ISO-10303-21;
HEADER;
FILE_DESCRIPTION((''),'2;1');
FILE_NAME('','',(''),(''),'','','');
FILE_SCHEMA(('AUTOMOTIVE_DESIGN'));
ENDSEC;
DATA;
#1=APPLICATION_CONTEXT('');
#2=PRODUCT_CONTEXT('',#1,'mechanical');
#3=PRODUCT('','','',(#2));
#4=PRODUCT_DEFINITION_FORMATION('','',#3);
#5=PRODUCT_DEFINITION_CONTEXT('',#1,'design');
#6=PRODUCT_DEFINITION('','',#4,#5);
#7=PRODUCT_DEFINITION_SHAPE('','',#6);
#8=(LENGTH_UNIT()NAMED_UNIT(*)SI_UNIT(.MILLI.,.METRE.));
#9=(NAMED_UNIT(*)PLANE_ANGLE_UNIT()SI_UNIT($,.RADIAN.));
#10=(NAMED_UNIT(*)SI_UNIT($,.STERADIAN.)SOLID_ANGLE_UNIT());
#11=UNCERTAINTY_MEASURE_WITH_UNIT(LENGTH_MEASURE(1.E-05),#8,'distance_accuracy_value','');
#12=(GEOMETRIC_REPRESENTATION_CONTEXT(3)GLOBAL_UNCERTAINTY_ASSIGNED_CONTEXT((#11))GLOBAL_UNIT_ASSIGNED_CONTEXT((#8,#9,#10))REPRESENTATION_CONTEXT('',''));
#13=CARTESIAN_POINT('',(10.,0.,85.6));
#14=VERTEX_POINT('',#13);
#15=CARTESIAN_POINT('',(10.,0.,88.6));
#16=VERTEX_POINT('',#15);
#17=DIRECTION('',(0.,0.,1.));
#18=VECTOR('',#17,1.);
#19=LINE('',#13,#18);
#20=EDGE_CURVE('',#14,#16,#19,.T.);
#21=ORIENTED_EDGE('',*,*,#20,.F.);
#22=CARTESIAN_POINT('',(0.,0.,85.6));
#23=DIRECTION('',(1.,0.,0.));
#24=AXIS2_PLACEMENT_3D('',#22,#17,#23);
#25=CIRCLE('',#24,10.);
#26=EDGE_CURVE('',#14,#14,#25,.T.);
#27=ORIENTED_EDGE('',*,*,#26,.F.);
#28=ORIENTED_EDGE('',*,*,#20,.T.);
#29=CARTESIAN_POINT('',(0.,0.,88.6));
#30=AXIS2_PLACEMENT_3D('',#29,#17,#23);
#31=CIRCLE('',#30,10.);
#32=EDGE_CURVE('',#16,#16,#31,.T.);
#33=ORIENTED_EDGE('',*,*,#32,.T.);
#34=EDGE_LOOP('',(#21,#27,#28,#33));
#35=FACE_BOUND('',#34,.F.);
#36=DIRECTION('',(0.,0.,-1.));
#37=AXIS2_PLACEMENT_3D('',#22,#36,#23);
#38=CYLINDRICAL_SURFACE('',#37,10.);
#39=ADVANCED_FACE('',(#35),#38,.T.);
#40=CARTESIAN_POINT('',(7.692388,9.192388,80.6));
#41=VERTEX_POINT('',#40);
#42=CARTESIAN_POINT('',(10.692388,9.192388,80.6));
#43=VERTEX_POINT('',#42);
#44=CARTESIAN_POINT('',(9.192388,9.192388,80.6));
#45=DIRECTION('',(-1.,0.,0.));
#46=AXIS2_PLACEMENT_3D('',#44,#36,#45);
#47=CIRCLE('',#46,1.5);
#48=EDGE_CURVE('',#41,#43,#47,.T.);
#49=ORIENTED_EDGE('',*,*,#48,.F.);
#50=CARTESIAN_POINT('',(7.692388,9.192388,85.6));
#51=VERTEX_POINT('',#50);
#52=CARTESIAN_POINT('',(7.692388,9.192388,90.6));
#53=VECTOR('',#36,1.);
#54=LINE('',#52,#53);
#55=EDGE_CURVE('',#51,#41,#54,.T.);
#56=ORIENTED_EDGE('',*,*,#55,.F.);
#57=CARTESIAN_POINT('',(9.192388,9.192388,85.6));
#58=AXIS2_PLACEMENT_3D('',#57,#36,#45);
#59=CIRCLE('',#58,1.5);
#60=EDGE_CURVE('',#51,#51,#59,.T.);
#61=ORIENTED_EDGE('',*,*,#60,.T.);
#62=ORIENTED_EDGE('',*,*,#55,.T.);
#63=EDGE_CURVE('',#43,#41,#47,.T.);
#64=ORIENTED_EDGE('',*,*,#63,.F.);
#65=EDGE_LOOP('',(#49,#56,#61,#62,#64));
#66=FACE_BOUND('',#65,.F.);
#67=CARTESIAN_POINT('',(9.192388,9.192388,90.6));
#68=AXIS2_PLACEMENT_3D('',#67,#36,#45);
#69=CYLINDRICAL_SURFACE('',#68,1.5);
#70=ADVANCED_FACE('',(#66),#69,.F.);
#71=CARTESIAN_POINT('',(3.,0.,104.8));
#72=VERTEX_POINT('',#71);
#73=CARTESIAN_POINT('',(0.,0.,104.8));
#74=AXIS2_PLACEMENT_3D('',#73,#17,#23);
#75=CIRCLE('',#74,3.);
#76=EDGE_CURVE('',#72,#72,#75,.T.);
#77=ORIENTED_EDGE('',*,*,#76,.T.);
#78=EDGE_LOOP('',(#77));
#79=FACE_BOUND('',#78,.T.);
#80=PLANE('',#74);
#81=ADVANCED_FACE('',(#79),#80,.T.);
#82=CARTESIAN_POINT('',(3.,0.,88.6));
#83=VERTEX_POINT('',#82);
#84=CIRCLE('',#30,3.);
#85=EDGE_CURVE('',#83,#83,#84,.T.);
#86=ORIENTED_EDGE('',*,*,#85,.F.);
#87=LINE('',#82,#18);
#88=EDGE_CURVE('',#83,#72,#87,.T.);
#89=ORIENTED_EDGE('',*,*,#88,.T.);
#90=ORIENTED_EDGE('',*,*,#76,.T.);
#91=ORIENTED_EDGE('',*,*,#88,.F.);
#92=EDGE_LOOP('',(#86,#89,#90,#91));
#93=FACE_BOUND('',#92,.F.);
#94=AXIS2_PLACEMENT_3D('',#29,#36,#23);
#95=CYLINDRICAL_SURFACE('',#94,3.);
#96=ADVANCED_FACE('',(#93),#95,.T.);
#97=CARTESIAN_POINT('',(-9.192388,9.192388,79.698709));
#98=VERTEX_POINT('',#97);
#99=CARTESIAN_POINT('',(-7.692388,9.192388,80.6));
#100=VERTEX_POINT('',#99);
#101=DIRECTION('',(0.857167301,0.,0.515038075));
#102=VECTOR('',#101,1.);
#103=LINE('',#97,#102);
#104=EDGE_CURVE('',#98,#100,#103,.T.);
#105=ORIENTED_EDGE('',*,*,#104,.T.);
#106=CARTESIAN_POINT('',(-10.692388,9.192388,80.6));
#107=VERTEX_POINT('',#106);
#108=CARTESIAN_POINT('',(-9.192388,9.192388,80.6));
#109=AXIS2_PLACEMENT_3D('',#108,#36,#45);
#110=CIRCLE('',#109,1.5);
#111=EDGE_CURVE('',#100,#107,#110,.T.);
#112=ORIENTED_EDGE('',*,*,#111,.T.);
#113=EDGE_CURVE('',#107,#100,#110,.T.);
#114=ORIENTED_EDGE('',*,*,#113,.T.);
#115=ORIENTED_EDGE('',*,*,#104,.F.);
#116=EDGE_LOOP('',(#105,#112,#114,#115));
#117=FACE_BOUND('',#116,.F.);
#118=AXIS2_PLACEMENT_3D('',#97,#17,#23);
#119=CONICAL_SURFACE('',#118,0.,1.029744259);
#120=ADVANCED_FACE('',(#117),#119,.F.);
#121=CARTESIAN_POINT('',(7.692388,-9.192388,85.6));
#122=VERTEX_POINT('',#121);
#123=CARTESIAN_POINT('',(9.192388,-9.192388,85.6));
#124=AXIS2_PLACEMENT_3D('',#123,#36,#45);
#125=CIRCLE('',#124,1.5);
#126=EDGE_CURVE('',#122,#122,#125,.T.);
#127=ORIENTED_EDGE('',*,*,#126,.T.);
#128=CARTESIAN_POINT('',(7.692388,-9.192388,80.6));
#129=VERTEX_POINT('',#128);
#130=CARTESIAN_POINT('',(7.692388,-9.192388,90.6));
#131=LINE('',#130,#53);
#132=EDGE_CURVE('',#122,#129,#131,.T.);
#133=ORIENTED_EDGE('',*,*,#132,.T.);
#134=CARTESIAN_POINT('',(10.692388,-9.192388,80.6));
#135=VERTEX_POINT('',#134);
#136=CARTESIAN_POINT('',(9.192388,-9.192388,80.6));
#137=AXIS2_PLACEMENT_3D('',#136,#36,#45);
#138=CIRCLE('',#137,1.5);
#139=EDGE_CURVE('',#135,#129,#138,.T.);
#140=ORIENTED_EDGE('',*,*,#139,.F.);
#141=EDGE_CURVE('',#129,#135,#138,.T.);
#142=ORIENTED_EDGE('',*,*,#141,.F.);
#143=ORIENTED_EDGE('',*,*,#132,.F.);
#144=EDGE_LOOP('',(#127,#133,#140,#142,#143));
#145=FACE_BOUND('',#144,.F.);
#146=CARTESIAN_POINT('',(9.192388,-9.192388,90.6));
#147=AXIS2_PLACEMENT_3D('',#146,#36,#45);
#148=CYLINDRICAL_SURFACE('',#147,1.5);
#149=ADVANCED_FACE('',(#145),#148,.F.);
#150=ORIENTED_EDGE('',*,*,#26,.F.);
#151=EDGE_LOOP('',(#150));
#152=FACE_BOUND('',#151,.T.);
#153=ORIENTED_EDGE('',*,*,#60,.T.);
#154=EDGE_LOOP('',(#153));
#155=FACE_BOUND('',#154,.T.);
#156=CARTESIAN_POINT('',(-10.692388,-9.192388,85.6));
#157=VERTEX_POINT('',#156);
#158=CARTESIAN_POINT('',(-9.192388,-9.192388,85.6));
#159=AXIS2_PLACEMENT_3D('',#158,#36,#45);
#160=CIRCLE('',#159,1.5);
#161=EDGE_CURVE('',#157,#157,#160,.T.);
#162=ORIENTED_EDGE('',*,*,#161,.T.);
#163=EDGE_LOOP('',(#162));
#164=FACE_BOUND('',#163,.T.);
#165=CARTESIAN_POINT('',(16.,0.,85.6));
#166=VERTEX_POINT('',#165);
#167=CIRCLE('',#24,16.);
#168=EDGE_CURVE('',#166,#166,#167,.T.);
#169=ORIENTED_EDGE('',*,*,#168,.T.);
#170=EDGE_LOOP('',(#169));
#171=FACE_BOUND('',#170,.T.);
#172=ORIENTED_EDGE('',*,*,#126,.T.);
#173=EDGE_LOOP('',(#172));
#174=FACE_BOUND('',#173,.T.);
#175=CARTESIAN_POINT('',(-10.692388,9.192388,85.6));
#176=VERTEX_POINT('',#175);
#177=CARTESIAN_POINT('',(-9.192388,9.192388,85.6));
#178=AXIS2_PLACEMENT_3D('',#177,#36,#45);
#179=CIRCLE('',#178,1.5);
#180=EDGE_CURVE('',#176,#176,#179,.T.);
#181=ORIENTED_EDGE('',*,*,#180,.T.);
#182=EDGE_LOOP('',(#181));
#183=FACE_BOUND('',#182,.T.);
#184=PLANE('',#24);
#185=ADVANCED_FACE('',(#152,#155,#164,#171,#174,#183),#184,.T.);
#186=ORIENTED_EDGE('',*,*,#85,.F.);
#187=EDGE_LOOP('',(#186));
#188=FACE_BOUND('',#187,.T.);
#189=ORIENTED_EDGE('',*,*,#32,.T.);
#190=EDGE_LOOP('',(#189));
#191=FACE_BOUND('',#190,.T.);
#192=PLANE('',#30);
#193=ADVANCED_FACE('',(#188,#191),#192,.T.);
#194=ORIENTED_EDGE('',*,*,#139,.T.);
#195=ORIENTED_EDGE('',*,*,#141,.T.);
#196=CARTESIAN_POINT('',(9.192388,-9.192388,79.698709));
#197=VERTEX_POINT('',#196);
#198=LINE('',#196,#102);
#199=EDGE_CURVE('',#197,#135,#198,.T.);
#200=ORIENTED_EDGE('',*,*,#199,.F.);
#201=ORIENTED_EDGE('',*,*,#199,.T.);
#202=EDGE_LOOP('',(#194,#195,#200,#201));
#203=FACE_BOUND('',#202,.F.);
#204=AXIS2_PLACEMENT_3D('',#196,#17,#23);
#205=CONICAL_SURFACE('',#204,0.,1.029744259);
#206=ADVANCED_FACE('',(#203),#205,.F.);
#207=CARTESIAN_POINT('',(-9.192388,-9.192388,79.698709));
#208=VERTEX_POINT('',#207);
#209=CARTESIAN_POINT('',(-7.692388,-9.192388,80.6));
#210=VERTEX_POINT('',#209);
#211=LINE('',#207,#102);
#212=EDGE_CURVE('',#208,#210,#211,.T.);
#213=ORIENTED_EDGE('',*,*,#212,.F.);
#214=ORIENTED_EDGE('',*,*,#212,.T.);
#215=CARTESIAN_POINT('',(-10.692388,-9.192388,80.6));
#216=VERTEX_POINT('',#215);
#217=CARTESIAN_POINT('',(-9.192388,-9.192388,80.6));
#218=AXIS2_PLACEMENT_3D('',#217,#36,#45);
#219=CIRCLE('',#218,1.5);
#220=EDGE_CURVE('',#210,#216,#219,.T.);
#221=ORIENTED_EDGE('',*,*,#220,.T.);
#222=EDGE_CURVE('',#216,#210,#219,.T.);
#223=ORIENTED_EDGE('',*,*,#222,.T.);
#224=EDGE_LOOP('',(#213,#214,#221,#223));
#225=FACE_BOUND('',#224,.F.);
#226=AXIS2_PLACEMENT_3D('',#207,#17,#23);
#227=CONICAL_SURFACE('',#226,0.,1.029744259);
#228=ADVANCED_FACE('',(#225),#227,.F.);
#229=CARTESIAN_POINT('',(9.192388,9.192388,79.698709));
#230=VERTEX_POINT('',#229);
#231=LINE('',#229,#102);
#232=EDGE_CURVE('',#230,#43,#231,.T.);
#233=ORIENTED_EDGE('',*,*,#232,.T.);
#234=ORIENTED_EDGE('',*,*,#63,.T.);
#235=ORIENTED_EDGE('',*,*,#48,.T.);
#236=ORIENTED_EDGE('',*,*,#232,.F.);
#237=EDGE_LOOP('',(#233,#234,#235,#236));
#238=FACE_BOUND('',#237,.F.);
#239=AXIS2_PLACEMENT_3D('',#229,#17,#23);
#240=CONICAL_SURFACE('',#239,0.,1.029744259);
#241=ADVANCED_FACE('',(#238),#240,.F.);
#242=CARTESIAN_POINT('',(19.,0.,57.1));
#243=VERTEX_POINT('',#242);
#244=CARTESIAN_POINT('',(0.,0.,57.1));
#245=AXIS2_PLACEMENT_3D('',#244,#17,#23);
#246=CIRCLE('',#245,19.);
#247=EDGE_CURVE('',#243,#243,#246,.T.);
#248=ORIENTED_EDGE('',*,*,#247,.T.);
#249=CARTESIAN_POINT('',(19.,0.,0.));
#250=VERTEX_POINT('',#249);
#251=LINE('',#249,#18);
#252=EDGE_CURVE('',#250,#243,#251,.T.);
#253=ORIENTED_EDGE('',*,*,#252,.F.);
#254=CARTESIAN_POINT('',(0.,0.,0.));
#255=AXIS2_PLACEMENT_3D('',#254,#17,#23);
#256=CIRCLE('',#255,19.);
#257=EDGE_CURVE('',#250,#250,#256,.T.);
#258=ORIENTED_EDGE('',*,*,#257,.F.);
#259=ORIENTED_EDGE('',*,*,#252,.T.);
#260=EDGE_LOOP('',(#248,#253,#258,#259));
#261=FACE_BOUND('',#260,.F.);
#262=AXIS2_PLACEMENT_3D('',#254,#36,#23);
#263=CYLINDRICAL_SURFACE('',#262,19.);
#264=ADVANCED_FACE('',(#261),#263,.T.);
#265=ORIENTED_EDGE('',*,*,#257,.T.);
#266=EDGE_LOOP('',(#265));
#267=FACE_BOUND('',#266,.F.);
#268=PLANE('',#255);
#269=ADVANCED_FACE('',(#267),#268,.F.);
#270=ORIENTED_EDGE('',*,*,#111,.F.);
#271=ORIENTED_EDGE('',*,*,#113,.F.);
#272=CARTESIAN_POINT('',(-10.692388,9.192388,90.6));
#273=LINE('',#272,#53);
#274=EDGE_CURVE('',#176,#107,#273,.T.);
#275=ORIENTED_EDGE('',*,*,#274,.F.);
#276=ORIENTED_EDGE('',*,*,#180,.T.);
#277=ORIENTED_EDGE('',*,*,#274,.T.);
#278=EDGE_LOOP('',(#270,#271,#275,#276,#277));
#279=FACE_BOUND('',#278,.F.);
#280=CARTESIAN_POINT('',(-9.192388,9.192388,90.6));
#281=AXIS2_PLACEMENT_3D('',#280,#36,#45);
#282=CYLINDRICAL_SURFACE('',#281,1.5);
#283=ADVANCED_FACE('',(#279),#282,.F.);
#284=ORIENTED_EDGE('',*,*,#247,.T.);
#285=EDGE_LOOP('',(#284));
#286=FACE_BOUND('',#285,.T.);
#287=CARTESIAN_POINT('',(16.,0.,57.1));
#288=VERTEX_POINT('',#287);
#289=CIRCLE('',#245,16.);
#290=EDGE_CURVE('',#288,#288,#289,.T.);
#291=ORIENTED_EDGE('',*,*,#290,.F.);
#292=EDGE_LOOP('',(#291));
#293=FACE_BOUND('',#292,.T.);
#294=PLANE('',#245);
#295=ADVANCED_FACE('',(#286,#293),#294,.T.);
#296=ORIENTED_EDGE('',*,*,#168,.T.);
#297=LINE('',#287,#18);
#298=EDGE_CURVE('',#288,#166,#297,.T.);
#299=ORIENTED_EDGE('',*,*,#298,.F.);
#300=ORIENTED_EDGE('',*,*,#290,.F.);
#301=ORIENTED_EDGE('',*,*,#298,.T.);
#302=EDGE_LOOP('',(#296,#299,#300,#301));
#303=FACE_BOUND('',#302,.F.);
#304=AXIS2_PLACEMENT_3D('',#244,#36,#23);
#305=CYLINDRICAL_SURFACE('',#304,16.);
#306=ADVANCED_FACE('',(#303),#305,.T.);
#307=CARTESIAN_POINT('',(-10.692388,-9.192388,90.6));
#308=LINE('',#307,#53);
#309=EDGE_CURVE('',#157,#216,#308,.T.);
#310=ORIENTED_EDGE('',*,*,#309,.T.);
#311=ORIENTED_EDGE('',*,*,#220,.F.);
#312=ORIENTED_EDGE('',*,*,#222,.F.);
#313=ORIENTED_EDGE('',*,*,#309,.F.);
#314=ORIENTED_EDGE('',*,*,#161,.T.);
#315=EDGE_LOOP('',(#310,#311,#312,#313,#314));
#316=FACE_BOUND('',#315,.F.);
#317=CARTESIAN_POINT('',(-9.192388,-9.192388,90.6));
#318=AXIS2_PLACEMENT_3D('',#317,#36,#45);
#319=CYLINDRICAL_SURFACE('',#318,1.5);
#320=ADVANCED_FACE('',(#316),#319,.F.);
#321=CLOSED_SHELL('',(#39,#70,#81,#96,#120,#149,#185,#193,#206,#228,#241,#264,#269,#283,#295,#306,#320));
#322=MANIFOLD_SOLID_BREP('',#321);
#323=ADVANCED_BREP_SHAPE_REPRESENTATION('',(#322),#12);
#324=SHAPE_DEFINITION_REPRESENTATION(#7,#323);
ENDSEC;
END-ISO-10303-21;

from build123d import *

# Parameters (mm, degrees)
F0_R     = 19
F1_DEPTH = 57.1
F2_R     = 16
F3_DEPTH = 28.5
F4_R     = 10
F5_DEPTH = 3
F6_R     = 3
F7_DEPTH = 16.2
F9_D     = 3
F9_DEPTH = 5
F9_TIP   = 0.9012909285


with BuildPart() as f1:
    # F0 (on Top) → F1 (new body)
    with BuildSketch(Plane.XY):
        Circle(F0_R)
    extrude(amount=F1_DEPTH)

    # F2 (on face) → F3 (join)
    with BuildSketch(Plane.XY.offset(57.1)):
        Circle(F2_R)
    extrude(amount=F3_DEPTH)

    # F4 (on face) → F5 (join)
    with BuildSketch(Plane.XY.offset(85.6)):
        Circle(F4_R)
    extrude(amount=F5_DEPTH)

    # F6 (on face) → F7 (join)
    with BuildSketch(Plane.XY.offset(88.6)):
        Circle(F6_R)
    extrude(amount=F7_DEPTH)

    # F9
    with Locations(Plane.XY.offset(85.6)):
        with Locations((-9.1923881554, 9.1923881554), (9.1923881554, 9.1923881554), (9.1923881554, -9.1923881554), (-9.1923881554, -9.1923881554)):
            Hole(F9_D / 2, depth=F9_DEPTH)
            with Locations((0, 0, -(F9_DEPTH + F9_TIP / 2))):  # 118° drill point
                Cone(0, F9_D / 2, F9_TIP, mode=Mode.SUBTRACT)


solid = f1.part
